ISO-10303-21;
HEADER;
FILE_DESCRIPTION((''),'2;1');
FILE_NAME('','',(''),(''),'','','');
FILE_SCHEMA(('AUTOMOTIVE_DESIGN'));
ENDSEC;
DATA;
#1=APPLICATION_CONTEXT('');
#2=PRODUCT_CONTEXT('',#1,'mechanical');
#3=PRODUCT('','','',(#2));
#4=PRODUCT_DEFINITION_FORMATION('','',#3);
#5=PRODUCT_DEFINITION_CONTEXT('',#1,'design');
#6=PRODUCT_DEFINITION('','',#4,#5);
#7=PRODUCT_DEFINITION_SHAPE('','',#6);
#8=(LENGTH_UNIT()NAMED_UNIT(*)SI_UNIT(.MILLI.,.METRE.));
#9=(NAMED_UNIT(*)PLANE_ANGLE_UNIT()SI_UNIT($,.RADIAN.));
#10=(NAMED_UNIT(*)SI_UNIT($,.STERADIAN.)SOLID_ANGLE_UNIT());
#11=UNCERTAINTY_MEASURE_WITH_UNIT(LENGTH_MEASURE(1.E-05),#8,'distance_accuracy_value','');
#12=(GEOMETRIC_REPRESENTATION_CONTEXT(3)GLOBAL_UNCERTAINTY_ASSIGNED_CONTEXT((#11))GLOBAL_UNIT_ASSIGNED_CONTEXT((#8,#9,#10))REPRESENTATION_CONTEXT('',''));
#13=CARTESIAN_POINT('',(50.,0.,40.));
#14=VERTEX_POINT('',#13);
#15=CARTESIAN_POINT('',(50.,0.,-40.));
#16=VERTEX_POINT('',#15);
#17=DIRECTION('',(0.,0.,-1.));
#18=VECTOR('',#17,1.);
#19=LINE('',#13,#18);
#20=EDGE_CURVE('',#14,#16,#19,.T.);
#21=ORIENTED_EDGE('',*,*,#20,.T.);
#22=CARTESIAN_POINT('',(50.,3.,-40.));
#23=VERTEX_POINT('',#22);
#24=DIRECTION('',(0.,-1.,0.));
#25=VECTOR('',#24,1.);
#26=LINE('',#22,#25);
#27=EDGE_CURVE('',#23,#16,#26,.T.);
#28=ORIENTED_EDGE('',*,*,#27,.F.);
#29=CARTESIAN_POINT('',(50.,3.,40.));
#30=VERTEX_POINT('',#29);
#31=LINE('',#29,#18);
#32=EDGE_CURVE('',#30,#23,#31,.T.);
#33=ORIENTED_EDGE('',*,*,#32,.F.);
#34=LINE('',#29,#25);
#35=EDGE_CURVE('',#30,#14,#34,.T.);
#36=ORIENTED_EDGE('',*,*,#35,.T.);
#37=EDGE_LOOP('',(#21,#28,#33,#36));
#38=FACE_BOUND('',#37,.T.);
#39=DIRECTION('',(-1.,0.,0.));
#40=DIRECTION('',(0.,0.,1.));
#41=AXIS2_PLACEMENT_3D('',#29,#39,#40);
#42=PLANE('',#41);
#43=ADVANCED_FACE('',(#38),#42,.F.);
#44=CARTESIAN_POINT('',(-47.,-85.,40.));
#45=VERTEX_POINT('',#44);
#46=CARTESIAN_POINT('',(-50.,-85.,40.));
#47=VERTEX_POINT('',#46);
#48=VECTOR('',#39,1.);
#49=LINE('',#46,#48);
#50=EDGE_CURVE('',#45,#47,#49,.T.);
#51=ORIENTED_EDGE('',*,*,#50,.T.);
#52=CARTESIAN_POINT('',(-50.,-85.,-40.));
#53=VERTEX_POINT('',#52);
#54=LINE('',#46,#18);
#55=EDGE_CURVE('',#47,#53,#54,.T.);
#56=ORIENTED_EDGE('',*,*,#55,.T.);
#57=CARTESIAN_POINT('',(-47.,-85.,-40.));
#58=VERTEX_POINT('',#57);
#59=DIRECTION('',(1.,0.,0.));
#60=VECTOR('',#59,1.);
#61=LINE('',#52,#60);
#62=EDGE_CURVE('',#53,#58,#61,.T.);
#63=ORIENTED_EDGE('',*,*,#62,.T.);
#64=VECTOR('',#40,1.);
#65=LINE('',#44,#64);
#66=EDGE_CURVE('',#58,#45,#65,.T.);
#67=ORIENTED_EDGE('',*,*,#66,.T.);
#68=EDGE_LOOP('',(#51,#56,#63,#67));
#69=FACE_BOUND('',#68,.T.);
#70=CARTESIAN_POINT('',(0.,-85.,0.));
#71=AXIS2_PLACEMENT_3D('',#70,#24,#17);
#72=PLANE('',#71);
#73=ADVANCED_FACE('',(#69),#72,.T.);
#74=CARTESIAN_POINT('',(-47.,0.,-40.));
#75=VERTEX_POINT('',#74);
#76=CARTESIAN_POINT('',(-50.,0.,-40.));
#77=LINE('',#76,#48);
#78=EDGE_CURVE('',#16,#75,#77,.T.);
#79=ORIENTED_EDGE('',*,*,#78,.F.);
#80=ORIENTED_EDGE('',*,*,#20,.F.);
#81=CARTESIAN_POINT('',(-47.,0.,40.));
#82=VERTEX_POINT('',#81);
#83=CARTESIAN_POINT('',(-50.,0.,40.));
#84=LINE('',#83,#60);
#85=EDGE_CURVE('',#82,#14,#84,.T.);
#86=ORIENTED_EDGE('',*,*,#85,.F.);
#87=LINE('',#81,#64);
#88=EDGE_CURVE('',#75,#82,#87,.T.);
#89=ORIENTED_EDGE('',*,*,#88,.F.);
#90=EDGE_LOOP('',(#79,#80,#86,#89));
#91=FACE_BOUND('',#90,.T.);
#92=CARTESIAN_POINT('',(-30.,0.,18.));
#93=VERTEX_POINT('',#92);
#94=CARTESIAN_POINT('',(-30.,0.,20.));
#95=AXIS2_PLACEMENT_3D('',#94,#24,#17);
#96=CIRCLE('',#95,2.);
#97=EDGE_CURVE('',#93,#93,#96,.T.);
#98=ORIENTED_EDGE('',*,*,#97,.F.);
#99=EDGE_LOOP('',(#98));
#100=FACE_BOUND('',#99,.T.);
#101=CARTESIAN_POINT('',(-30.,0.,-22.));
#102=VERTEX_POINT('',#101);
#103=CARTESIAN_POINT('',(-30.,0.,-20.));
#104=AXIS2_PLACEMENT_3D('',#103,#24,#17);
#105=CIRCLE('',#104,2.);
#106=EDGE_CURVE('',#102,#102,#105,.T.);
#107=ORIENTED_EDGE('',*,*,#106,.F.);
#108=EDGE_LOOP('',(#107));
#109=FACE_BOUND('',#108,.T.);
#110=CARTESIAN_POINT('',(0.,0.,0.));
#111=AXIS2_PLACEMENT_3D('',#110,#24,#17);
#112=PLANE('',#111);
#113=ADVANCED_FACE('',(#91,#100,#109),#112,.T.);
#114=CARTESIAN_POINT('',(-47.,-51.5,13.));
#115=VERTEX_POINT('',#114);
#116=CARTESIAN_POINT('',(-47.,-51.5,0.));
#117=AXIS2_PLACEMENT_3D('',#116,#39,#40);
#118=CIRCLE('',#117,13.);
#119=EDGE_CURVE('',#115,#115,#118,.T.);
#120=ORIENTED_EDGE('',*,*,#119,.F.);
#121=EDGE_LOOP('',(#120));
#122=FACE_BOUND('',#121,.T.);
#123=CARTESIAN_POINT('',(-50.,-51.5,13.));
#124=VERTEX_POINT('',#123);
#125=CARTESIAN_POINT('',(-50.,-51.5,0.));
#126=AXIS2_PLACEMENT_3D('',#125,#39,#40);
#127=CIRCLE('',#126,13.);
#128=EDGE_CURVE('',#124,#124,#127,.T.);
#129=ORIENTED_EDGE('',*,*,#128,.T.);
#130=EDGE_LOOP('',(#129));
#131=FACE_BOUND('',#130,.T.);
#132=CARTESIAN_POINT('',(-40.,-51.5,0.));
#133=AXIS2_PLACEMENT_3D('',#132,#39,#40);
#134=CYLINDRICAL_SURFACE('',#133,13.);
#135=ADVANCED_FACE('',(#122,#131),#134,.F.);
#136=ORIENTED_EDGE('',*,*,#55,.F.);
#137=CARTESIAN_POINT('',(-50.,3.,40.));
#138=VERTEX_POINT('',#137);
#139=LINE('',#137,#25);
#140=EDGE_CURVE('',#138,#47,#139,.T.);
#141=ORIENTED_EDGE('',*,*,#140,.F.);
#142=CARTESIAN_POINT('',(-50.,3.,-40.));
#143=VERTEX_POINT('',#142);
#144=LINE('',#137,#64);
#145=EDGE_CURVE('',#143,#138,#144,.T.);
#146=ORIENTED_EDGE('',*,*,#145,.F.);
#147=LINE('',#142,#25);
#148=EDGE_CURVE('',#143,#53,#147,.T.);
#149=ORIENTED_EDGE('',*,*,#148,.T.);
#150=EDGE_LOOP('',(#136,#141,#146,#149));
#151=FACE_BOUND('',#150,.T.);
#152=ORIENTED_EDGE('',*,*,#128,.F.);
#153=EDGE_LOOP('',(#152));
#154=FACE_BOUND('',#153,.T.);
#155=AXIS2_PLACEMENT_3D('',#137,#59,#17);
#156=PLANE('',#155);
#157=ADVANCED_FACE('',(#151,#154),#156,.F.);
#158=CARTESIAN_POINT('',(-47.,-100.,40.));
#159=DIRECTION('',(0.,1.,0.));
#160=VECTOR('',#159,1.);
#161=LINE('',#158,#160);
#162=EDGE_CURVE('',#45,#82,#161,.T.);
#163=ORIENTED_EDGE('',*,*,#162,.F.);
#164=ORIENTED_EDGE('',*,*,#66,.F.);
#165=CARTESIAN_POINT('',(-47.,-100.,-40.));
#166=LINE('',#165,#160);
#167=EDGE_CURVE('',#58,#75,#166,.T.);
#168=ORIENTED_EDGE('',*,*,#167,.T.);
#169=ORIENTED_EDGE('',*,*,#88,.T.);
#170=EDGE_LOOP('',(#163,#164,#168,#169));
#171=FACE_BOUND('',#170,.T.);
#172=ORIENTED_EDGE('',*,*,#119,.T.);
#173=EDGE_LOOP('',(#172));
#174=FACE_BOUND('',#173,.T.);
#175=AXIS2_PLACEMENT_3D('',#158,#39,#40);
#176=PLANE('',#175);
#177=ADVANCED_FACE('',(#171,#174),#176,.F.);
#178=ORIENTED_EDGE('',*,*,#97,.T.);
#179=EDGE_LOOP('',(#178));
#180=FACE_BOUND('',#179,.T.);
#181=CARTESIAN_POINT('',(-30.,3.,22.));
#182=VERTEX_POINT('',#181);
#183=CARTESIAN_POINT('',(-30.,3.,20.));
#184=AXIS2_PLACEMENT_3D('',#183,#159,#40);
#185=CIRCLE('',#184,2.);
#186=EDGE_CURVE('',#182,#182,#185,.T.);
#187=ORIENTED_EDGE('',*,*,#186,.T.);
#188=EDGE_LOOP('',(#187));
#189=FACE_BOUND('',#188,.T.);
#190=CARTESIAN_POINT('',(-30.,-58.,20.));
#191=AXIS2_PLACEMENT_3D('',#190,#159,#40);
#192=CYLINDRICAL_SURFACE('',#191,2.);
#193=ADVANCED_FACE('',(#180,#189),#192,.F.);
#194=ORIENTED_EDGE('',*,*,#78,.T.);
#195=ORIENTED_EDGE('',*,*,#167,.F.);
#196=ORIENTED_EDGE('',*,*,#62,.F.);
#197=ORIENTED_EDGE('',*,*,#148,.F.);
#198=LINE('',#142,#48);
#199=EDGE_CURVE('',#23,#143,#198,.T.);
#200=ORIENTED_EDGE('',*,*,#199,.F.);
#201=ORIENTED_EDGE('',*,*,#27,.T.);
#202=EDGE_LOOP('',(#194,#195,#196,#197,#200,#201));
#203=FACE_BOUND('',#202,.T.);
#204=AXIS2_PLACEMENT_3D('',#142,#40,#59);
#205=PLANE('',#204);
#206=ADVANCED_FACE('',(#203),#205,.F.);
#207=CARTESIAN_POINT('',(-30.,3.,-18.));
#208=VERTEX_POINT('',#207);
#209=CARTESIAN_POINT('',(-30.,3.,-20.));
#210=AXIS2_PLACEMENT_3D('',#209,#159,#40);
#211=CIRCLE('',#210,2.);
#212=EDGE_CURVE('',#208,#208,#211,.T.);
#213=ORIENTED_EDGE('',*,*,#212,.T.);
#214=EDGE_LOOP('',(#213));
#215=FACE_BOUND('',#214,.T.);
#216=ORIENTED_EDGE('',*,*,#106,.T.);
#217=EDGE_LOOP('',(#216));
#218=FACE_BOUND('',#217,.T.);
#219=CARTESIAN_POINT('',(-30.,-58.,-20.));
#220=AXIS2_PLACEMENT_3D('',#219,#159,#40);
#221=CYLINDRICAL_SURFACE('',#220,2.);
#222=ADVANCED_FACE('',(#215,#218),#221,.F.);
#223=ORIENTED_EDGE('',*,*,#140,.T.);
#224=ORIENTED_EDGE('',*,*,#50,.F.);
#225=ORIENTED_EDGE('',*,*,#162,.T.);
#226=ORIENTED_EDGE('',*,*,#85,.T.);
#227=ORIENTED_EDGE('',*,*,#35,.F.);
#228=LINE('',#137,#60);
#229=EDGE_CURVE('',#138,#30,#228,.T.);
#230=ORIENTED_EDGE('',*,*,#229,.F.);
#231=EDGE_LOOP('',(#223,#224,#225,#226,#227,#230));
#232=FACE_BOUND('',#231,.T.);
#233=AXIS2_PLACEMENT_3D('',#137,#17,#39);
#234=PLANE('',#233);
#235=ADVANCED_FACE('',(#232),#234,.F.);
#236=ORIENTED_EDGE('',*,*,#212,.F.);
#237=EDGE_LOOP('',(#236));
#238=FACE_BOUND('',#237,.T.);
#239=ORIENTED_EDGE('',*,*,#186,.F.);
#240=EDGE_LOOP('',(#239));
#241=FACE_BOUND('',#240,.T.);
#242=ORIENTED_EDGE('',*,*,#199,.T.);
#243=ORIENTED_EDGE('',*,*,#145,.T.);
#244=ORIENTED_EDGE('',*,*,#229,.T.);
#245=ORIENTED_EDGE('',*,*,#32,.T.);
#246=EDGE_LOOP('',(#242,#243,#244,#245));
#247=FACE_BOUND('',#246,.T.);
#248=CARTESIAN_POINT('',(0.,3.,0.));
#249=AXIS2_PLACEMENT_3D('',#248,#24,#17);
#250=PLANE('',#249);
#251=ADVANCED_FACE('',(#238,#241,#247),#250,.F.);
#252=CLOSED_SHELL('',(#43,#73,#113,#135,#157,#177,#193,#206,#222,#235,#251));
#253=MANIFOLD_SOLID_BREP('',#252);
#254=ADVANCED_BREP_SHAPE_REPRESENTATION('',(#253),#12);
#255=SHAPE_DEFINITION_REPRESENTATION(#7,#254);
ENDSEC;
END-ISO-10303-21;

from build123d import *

# Parameters (mm, degrees)
SKETCH2_W           = 100
SKETCH2_H           = 80
BOSS_EXTRUDE1_DEPTH = 3
SKETCH3_W           = 3
SKETCH3_H           = 80
BOSS_EXTRUDE2_DEPTH = 100
SKETCH8_R           = 2
CUT_EXTRUDE3_DEPTH  = 61
SKETCH6_R           = 13
CUT_EXTRUDE4_DEPTH  = 10
SKETCH9_W           = 3
SKETCH9_H           = 80
CUT_EXTRUDE5_DEPTH  = 15


with BuildPart() as part:
    # Sketch2 → Boss-Extrude1 (new body)
    with BuildSketch(Plane(origin=(0, 0, 0), x_dir=(1, 0, 0), z_dir=(0, 1, 0))):
        Rectangle(SKETCH2_W, SKETCH2_H)
    extrude(amount=BOSS_EXTRUDE1_DEPTH)

    # Sketch3 → Boss-Extrude2 (add)
    with BuildSketch(Plane.XZ):
        with Locations((-48.5, 0)):
            Rectangle(SKETCH3_W, SKETCH3_H)
    extrude(amount=BOSS_EXTRUDE2_DEPTH)

    # Sketch8 → Cut-Extrude3 (cut)
    with BuildSketch(Plane(origin=(0, 3, 0), x_dir=(1, 0, 0), z_dir=(0, 1, 0))):
        with Locations((-30, 20)):
            Circle(SKETCH8_R)
        with Locations((-30, -20)):
            Circle(SKETCH8_R)
    extrude(amount=-CUT_EXTRUDE3_DEPTH, mode=Mode.SUBTRACT)

    # Sketch6 → Cut-Extrude4 (cut)
    with BuildSketch(Plane.ZY.offset(50)):
        with Locations((0, -51.5)):
            Circle(SKETCH6_R)
    extrude(amount=-CUT_EXTRUDE4_DEPTH, mode=Mode.SUBTRACT)

    # Sketch9 → Cut-Extrude5 (cut)
    with BuildSketch(Plane.XZ.offset(100)):
        with Locations((-48.5, 0)):
            Rectangle(SKETCH9_W, SKETCH9_H)
    extrude(amount=-CUT_EXTRUDE5_DEPTH, mode=Mode.SUBTRACT)


solid = part.part
